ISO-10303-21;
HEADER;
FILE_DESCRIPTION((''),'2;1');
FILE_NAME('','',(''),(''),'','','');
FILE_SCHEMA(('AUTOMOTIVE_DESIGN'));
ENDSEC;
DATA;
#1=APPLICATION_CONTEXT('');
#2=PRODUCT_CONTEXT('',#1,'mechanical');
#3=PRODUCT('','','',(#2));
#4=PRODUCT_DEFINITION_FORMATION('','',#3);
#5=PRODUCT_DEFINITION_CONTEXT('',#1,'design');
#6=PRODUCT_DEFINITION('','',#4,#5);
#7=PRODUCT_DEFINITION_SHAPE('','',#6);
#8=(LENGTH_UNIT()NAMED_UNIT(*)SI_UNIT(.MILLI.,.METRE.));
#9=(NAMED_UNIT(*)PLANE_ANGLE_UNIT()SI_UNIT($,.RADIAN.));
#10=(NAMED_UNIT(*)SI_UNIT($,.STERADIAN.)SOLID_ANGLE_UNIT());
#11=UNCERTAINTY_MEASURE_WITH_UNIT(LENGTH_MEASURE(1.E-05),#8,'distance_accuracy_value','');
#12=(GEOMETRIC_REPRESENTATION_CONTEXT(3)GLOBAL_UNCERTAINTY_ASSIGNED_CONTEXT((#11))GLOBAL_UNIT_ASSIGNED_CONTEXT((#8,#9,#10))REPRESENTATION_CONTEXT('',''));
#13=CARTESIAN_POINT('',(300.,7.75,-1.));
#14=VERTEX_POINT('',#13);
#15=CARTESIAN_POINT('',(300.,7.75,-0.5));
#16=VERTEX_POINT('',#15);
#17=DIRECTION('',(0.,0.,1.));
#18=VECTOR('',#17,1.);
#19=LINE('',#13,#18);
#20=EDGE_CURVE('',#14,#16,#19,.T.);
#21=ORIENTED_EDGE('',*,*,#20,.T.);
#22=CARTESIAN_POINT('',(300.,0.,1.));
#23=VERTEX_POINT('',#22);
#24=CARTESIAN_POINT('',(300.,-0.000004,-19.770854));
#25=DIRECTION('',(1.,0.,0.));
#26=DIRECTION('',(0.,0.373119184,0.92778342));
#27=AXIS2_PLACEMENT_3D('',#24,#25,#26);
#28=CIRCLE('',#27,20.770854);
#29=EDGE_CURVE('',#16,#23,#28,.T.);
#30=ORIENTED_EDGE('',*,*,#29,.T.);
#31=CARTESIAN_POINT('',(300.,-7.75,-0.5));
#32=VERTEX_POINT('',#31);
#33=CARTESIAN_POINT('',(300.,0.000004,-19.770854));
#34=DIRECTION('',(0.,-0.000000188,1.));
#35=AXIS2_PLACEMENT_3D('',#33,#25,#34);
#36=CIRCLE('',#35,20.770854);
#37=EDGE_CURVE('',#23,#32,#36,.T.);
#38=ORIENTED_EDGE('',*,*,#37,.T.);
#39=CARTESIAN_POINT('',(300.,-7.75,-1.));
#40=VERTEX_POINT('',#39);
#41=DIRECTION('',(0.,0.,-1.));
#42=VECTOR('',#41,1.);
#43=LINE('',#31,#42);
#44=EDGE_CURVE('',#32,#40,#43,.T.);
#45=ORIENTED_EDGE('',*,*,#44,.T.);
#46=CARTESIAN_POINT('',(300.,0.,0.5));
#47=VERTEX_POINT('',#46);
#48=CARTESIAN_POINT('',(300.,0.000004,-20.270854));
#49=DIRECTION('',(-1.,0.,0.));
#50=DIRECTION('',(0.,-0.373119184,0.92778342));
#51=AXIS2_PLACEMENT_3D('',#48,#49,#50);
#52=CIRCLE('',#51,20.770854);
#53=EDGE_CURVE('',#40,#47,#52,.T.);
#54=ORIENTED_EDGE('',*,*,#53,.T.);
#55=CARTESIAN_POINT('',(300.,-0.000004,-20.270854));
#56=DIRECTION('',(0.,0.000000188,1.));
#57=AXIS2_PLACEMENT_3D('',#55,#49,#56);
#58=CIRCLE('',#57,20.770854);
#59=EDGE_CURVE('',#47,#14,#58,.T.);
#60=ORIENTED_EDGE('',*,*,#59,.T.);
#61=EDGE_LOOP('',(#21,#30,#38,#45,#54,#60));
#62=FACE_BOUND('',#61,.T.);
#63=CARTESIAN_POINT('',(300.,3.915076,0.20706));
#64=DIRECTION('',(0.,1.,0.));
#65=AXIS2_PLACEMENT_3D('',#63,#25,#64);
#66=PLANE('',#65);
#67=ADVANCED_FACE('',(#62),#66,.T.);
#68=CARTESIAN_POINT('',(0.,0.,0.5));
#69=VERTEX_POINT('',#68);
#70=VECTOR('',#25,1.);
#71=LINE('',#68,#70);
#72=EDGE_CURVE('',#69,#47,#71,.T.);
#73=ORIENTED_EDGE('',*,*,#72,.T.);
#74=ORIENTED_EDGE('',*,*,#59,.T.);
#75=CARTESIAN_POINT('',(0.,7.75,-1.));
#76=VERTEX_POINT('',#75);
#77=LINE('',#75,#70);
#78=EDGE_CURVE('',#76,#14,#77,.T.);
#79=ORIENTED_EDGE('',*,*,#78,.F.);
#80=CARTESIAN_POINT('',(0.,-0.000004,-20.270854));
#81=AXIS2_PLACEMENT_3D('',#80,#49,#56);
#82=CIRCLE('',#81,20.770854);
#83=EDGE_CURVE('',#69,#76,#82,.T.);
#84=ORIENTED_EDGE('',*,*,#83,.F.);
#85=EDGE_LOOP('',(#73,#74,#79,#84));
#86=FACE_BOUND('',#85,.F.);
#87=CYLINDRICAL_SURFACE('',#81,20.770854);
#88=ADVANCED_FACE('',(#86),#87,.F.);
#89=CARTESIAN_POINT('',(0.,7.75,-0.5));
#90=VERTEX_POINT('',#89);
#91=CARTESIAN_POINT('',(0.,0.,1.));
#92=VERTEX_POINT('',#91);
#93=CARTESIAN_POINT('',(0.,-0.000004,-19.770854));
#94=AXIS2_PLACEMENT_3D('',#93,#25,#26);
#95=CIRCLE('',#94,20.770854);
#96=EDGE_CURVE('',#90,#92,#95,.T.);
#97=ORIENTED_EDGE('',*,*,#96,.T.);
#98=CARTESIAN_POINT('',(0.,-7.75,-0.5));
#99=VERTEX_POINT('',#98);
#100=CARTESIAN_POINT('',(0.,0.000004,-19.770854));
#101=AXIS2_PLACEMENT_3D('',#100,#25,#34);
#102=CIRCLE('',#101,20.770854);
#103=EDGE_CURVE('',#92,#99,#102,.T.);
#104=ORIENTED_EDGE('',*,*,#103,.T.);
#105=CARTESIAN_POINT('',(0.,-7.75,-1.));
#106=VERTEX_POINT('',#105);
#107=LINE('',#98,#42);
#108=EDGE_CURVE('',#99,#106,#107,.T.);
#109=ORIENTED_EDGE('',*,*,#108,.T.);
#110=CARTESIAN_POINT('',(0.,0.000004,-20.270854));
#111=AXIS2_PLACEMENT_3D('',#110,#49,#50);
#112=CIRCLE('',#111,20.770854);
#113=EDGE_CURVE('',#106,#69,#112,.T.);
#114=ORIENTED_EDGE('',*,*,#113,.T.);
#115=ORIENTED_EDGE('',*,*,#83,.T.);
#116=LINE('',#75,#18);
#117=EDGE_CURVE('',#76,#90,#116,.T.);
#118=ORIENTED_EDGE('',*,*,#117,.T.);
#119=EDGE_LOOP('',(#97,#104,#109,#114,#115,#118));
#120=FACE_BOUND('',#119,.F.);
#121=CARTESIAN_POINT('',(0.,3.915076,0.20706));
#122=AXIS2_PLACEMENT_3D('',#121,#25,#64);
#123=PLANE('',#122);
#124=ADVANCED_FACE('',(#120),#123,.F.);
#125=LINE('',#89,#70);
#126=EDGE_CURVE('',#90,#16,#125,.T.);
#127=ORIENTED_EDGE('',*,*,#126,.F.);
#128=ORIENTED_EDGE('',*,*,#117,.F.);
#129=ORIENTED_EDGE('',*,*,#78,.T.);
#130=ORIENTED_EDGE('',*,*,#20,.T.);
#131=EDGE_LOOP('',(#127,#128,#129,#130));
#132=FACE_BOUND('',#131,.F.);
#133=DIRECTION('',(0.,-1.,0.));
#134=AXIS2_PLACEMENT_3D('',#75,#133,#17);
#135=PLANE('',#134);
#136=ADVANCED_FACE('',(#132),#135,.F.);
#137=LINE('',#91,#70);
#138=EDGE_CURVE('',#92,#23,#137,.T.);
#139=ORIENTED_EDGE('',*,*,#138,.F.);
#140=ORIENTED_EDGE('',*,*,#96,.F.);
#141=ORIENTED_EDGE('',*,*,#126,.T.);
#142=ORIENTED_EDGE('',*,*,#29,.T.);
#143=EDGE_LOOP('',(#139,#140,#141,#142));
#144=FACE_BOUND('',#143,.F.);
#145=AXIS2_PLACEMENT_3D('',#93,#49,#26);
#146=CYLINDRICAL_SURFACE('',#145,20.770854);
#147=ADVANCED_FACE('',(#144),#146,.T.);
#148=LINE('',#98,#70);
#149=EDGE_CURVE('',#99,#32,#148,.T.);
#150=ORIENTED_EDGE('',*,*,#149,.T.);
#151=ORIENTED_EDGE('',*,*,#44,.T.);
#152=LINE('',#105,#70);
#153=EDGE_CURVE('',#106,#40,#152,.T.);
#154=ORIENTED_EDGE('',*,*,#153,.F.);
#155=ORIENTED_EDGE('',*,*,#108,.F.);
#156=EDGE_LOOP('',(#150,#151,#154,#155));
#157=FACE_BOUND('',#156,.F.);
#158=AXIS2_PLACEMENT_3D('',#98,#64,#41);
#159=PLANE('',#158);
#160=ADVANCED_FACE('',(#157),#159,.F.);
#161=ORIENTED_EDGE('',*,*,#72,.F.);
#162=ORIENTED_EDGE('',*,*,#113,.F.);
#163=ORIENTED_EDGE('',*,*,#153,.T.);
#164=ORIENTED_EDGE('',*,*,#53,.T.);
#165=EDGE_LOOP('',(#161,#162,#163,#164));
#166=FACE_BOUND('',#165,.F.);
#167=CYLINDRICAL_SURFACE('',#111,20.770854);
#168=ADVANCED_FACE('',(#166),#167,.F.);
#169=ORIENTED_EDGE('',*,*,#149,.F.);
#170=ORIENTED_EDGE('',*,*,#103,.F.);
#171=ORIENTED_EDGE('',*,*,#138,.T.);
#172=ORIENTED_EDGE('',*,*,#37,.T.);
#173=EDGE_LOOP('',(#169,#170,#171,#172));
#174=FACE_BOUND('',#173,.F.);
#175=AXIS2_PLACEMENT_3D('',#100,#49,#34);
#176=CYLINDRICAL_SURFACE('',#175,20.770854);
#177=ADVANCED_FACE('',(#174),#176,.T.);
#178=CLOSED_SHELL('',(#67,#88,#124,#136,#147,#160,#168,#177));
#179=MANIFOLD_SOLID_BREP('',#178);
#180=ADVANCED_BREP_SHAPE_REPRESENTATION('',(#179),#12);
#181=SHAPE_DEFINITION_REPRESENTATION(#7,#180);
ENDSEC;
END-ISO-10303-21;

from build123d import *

# Parameters (mm, degrees)
F1_DEPTH = 300


with BuildPart() as f1:
    # F0 (on Right) → F1 (new body)
    with BuildSketch(Plane.YZ):
        with BuildLine():
            ThreePointArc((0, 0.5), (3.946913, 0.121552), (7.75, -1))
            Line((7.75, -1), (7.75, -0.5))
            ThreePointArc((7.75, -0.5), (3.946913, 0.621552), (0, 1))
            Line((0, 1), (0, 0.5))
        make_face()
        with BuildLine():
            ThreePointArc((-7.75, -1), (-3.946913, 0.121552), (0, 0.5))
            Line((0, 0.5), (0, 1))
            ThreePointArc((0, 1), (-3.946913, 0.621552), (-7.75, -0.5))
            Line((-7.75, -0.5), (-7.75, -1))
        make_face()
    extrude(amount=F1_DEPTH)


solid = f1.part
